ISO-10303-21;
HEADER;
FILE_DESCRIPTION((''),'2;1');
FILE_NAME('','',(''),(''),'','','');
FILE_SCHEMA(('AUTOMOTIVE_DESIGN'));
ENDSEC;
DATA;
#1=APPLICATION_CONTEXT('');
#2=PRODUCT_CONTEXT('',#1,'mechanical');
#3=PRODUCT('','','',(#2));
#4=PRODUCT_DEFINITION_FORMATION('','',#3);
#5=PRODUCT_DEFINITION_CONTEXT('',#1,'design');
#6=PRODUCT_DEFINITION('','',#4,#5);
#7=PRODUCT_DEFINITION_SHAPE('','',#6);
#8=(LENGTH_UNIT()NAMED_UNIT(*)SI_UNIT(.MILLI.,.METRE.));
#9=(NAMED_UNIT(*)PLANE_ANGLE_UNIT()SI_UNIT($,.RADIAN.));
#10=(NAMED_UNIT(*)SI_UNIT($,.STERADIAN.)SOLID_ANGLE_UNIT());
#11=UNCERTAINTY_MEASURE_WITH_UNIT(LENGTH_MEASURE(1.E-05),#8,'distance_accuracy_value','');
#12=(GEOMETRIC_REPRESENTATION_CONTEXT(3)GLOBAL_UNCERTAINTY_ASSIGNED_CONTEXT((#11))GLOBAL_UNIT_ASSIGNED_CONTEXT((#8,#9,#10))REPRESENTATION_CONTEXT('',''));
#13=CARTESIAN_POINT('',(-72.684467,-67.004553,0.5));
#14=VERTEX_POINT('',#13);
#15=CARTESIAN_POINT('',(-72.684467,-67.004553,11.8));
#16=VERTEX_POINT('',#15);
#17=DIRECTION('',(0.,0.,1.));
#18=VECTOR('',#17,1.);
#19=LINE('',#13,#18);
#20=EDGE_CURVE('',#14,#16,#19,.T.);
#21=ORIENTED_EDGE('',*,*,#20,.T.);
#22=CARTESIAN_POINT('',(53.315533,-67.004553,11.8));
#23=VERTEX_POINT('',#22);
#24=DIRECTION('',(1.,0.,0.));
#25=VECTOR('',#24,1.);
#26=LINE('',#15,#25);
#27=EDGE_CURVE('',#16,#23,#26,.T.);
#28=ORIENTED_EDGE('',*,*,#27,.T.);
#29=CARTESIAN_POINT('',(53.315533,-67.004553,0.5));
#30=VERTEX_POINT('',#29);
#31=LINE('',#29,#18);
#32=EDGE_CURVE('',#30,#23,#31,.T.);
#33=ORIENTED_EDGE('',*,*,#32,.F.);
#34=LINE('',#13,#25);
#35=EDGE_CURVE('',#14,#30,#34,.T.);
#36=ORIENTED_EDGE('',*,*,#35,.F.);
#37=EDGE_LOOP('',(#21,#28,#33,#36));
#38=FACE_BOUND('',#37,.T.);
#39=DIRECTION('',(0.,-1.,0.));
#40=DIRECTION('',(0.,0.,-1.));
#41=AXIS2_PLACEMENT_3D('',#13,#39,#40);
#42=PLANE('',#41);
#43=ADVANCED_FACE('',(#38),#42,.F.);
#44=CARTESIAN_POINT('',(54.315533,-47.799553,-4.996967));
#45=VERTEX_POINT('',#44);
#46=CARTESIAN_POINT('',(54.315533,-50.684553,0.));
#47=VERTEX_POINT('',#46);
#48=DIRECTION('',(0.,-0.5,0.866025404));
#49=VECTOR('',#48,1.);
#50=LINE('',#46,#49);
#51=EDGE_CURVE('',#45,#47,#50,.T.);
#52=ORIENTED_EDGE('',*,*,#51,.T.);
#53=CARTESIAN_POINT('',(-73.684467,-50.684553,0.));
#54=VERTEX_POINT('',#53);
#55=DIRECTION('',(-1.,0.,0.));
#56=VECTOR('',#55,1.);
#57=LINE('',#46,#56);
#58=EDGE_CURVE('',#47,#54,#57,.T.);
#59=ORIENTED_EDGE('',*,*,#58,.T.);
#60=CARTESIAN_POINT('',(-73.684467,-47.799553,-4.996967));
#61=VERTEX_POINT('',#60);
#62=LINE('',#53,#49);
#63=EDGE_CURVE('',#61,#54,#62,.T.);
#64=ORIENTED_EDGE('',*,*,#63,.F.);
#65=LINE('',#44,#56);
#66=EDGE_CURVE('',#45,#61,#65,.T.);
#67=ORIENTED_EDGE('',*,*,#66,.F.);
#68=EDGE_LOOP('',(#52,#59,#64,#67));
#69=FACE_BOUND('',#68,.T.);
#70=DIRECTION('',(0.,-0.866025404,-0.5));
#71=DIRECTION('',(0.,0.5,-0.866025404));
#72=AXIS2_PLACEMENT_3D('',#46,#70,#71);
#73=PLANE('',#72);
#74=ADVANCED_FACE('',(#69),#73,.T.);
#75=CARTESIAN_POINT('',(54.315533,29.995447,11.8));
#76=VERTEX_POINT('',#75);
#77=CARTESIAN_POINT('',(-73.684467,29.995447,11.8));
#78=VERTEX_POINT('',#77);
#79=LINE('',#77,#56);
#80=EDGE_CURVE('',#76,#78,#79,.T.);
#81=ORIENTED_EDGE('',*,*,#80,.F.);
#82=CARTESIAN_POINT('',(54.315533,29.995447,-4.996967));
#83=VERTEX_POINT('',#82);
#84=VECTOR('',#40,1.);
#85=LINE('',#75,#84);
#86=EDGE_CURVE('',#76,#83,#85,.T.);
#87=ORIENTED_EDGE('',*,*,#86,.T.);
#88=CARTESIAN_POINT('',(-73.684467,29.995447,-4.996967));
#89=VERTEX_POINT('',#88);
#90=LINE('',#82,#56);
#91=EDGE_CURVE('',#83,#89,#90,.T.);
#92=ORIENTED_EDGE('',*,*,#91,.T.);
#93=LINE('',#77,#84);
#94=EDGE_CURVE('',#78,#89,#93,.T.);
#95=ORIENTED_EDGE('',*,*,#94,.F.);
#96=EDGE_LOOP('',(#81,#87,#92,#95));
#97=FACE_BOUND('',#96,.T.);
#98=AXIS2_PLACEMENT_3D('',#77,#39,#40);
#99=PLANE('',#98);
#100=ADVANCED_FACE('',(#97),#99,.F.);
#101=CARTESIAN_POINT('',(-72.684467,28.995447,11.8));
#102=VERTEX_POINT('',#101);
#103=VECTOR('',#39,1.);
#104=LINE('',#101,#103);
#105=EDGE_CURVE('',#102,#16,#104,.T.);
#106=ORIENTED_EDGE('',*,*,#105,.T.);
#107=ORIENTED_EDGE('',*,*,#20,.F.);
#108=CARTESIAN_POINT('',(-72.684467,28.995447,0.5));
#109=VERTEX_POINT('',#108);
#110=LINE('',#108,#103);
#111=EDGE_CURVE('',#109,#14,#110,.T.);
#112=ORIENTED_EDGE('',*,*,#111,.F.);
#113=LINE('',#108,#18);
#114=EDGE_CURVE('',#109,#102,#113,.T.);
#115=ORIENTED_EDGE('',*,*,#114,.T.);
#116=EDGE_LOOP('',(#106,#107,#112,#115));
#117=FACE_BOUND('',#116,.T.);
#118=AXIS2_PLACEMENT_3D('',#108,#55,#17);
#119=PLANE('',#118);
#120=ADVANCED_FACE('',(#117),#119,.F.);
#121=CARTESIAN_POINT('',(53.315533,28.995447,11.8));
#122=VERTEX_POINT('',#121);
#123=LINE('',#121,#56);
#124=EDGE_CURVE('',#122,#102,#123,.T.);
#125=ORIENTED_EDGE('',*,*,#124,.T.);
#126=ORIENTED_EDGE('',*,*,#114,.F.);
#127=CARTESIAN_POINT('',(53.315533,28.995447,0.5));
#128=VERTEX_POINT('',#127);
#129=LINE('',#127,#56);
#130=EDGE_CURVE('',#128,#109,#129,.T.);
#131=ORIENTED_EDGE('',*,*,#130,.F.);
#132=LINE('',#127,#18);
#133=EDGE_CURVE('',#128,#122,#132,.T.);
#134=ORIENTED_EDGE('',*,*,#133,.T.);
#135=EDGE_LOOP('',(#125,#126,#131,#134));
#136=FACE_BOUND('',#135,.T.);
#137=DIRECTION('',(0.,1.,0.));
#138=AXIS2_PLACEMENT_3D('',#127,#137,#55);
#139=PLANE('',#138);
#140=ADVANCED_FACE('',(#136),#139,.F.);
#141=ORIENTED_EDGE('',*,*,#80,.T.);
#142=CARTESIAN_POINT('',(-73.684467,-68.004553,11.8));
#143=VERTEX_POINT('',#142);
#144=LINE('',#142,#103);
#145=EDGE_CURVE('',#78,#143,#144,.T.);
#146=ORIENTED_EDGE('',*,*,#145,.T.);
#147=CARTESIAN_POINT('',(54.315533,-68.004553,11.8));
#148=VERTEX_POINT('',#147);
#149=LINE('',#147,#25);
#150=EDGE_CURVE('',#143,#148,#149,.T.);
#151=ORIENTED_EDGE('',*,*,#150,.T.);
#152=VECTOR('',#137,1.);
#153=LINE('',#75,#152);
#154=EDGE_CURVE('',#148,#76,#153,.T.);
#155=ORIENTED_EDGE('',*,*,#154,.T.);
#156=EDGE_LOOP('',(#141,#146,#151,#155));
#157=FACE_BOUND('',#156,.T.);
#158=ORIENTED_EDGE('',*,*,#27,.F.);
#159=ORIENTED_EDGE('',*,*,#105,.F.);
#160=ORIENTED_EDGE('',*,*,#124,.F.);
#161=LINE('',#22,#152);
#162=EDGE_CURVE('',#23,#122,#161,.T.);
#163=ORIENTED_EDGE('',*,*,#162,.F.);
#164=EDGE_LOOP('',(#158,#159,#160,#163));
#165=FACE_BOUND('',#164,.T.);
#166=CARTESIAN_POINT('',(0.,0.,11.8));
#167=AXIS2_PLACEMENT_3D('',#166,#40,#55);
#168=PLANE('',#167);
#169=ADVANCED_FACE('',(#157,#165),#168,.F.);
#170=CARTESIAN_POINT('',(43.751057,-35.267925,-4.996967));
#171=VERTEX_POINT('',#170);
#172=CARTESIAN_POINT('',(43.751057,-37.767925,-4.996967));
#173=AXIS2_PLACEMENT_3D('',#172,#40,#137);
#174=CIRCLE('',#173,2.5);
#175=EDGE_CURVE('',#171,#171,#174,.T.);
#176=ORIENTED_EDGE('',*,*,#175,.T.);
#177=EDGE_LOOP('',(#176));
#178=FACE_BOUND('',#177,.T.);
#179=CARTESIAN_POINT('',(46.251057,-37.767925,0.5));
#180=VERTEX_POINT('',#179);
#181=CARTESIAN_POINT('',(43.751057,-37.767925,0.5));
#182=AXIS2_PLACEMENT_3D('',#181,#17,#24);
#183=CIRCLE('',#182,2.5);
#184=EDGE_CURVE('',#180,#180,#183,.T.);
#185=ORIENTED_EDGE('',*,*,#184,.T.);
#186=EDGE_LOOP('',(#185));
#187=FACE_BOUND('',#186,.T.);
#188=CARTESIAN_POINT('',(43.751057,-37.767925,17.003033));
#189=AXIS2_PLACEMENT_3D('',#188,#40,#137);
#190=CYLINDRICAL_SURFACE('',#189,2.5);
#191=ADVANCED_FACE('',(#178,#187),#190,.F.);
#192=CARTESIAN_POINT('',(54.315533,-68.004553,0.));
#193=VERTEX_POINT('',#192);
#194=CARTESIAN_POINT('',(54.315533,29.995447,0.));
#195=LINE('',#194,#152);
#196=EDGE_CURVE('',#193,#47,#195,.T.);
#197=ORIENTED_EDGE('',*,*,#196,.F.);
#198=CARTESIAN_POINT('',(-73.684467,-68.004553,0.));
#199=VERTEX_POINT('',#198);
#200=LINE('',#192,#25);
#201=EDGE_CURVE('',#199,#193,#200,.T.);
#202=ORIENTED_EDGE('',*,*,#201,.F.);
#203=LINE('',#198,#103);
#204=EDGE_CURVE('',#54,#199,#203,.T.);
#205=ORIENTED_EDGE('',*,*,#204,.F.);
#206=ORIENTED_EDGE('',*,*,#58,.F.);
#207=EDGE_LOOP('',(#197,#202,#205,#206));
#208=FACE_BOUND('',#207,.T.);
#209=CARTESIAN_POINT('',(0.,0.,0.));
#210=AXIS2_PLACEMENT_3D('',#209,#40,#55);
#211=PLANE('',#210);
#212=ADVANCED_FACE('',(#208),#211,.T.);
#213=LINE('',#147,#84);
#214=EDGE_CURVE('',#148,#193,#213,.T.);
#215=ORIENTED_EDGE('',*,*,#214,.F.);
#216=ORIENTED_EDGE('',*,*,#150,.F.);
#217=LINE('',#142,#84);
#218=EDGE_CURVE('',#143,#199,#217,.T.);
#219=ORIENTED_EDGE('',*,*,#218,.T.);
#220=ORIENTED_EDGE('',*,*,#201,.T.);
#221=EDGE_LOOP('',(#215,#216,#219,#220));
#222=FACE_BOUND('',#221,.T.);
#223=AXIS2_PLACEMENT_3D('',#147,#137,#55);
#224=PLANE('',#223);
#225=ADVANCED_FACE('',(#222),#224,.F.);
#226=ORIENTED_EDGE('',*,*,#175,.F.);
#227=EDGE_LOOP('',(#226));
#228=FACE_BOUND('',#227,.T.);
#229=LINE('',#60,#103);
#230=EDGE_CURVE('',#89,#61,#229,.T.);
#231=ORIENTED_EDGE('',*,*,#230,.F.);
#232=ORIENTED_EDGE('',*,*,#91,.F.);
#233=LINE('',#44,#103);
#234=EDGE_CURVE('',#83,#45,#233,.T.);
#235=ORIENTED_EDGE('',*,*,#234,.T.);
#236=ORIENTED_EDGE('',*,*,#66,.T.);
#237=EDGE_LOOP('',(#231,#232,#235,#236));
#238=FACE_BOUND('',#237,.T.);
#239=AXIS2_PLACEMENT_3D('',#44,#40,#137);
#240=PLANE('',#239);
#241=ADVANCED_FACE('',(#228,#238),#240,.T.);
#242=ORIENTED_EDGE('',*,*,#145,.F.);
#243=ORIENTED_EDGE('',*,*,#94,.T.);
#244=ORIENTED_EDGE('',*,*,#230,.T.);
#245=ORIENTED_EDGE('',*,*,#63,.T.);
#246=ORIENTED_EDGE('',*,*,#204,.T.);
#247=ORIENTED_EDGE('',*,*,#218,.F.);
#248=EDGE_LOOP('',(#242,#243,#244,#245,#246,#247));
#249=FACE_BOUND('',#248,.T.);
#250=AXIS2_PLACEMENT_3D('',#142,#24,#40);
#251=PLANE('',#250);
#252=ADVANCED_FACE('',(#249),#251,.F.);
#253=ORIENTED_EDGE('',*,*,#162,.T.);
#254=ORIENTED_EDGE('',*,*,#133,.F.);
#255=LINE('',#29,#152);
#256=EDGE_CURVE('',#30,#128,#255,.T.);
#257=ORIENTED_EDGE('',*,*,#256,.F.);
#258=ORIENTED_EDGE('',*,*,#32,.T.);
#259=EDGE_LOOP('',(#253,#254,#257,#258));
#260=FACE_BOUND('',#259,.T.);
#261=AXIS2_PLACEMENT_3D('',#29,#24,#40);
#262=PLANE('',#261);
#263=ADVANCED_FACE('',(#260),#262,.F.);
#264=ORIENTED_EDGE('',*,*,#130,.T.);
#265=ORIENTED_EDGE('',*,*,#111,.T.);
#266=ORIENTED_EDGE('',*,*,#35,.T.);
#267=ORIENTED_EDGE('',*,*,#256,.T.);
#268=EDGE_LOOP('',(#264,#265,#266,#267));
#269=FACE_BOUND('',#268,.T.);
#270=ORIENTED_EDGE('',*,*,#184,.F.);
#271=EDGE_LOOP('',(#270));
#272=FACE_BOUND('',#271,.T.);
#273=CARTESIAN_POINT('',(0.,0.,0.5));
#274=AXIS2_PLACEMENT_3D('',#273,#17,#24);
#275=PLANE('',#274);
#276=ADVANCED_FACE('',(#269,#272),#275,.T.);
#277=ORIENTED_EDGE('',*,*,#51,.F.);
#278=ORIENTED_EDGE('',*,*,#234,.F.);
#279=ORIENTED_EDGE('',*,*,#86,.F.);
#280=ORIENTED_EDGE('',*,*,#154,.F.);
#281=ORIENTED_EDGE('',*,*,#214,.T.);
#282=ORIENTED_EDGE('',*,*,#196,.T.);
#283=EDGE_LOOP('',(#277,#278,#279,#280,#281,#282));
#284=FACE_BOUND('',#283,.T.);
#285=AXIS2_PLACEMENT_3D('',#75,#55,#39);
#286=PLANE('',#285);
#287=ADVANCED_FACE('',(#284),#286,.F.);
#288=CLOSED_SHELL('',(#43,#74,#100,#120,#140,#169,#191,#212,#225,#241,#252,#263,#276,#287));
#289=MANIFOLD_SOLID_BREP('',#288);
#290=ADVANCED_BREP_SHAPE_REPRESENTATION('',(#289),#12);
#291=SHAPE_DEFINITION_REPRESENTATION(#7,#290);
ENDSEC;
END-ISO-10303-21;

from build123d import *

# Parameters (mm, degrees)
CROQUIS1_W              = 128
CROQUIS1_H              = 98
SALIENTE_EXTRUIR1_DEPTH = 11.8
CROQUIS2_W              = 126
CROQUIS2_H              = 96
CORTAR_EXTRUIR1_DEPTH   = 11.3
SALIENTE_EXTRUIR2_DEPTH = 128
CROQUIS7_R              = 2.5
CORTAR_EXTRUIR2_DEPTH   = 22


with BuildPart() as part:
    # Croquis1 → Saliente-Extruir1 (new body)
    with BuildSketch(Plane.XY):
        with Locations((-9.684466696, -19.00455338)):
            Rectangle(CROQUIS1_W, CROQUIS1_H)
    extrude(amount=SALIENTE_EXTRUIR1_DEPTH)

    # Croquis2 → Cortar-Extruir1 (cut)
    with BuildSketch(Plane.XY.offset(11.8)):
        with Locations((-9.684466696, -19.00455338)):
            Rectangle(CROQUIS2_W, CROQUIS2_H)
    extrude(amount=-CORTAR_EXTRUIR1_DEPTH, mode=Mode.SUBTRACT)

    # Croquis5 → Saliente-Extruir2 (add)
    with BuildSketch(Plane.ZY.offset(73.684466696)):
        Polygon((0, -50.68455338), (-4.99696658, -47.79955338), (-4.99696658, 29.99544662), (0, 29.99544662), align=None)
    extrude(amount=-SALIENTE_EXTRUIR2_DEPTH)

    # Croquis7 → Cortar-Extruir2 (cut)
    with BuildSketch(Plane(origin=(0, 0, -4.99696658), x_dir=(-1, 0, 0), z_dir=(0, 0, -1))):
        with Locations(Location((-43.751056656, -37.767924802, 0), (0, 0, 90))):
            Circle(CROQUIS7_R)
    extrude(amount=-CORTAR_EXTRUIR2_DEPTH, mode=Mode.SUBTRACT)


solid = part.part
